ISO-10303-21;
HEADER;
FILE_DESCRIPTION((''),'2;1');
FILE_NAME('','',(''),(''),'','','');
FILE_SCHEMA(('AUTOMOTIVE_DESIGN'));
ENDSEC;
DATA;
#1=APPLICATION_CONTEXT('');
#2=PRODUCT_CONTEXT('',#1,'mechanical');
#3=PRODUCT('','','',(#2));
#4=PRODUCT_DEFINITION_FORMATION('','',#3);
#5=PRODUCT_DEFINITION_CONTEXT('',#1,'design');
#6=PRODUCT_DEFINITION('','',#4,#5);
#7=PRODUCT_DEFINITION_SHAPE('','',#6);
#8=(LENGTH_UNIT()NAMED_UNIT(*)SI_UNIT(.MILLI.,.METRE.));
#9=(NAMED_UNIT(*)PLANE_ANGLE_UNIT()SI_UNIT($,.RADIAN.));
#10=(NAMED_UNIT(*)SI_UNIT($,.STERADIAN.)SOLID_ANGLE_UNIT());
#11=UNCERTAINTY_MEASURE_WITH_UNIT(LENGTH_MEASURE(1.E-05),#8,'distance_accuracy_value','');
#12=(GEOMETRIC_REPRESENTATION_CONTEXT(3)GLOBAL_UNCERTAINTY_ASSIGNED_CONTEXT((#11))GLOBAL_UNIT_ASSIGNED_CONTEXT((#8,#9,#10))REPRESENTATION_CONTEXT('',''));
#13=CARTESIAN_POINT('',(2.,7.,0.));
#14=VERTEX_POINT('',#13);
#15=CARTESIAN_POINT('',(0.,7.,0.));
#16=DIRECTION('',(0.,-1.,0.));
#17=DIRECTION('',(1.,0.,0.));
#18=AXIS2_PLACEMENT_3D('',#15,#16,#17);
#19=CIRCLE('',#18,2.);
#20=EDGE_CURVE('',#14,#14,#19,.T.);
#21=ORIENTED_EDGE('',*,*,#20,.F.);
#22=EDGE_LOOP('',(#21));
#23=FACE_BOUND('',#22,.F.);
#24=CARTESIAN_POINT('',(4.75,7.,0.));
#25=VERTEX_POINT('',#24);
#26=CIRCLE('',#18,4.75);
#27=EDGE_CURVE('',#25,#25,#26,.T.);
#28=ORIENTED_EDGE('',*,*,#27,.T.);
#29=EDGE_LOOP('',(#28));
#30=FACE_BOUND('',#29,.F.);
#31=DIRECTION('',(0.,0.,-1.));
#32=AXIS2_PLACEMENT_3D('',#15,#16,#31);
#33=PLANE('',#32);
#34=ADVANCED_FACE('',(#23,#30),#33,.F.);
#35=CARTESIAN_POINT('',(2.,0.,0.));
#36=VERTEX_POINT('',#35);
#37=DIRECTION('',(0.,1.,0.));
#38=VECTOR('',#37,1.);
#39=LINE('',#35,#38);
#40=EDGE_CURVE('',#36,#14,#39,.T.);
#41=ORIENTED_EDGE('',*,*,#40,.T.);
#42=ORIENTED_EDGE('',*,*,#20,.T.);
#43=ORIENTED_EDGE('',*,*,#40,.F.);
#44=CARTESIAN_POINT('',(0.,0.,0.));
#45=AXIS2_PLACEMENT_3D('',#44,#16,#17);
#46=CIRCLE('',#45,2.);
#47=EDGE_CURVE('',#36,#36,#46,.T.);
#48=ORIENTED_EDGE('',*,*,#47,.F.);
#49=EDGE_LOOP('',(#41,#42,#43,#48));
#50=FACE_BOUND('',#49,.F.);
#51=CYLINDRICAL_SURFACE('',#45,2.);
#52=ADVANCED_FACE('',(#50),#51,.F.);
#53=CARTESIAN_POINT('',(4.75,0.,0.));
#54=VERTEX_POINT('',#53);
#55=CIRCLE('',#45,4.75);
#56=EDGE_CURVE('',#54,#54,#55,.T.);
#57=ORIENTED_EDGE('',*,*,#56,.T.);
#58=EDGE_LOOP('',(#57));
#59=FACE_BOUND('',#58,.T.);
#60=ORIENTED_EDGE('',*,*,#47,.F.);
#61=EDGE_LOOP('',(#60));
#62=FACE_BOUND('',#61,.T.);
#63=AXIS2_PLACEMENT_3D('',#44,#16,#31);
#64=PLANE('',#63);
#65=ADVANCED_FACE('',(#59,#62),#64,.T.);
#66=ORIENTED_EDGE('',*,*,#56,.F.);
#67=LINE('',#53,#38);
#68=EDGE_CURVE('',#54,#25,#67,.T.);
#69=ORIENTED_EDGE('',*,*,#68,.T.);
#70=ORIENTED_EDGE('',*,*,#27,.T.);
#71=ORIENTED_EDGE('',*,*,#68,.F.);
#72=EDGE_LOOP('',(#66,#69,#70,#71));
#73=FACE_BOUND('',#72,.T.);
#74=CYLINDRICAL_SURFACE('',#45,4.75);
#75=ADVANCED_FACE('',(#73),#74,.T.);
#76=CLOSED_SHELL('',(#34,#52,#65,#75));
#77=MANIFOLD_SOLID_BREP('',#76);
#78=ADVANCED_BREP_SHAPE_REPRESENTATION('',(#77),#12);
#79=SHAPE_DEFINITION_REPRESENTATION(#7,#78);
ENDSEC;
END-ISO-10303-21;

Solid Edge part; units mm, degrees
sketch "Sketch1" plane through (0, 0, 0) normal (0, -1, 0) x (1, 0, 0)
  circle A0 centre (0, 0) radius 4.75
  circle A1 centre (0, 0) radius 2
  dimension "D1" = 9.5
  dimension "D2" = 4
extrude "Protrusion1" add sketch "Sketch1" against normal blind 7
